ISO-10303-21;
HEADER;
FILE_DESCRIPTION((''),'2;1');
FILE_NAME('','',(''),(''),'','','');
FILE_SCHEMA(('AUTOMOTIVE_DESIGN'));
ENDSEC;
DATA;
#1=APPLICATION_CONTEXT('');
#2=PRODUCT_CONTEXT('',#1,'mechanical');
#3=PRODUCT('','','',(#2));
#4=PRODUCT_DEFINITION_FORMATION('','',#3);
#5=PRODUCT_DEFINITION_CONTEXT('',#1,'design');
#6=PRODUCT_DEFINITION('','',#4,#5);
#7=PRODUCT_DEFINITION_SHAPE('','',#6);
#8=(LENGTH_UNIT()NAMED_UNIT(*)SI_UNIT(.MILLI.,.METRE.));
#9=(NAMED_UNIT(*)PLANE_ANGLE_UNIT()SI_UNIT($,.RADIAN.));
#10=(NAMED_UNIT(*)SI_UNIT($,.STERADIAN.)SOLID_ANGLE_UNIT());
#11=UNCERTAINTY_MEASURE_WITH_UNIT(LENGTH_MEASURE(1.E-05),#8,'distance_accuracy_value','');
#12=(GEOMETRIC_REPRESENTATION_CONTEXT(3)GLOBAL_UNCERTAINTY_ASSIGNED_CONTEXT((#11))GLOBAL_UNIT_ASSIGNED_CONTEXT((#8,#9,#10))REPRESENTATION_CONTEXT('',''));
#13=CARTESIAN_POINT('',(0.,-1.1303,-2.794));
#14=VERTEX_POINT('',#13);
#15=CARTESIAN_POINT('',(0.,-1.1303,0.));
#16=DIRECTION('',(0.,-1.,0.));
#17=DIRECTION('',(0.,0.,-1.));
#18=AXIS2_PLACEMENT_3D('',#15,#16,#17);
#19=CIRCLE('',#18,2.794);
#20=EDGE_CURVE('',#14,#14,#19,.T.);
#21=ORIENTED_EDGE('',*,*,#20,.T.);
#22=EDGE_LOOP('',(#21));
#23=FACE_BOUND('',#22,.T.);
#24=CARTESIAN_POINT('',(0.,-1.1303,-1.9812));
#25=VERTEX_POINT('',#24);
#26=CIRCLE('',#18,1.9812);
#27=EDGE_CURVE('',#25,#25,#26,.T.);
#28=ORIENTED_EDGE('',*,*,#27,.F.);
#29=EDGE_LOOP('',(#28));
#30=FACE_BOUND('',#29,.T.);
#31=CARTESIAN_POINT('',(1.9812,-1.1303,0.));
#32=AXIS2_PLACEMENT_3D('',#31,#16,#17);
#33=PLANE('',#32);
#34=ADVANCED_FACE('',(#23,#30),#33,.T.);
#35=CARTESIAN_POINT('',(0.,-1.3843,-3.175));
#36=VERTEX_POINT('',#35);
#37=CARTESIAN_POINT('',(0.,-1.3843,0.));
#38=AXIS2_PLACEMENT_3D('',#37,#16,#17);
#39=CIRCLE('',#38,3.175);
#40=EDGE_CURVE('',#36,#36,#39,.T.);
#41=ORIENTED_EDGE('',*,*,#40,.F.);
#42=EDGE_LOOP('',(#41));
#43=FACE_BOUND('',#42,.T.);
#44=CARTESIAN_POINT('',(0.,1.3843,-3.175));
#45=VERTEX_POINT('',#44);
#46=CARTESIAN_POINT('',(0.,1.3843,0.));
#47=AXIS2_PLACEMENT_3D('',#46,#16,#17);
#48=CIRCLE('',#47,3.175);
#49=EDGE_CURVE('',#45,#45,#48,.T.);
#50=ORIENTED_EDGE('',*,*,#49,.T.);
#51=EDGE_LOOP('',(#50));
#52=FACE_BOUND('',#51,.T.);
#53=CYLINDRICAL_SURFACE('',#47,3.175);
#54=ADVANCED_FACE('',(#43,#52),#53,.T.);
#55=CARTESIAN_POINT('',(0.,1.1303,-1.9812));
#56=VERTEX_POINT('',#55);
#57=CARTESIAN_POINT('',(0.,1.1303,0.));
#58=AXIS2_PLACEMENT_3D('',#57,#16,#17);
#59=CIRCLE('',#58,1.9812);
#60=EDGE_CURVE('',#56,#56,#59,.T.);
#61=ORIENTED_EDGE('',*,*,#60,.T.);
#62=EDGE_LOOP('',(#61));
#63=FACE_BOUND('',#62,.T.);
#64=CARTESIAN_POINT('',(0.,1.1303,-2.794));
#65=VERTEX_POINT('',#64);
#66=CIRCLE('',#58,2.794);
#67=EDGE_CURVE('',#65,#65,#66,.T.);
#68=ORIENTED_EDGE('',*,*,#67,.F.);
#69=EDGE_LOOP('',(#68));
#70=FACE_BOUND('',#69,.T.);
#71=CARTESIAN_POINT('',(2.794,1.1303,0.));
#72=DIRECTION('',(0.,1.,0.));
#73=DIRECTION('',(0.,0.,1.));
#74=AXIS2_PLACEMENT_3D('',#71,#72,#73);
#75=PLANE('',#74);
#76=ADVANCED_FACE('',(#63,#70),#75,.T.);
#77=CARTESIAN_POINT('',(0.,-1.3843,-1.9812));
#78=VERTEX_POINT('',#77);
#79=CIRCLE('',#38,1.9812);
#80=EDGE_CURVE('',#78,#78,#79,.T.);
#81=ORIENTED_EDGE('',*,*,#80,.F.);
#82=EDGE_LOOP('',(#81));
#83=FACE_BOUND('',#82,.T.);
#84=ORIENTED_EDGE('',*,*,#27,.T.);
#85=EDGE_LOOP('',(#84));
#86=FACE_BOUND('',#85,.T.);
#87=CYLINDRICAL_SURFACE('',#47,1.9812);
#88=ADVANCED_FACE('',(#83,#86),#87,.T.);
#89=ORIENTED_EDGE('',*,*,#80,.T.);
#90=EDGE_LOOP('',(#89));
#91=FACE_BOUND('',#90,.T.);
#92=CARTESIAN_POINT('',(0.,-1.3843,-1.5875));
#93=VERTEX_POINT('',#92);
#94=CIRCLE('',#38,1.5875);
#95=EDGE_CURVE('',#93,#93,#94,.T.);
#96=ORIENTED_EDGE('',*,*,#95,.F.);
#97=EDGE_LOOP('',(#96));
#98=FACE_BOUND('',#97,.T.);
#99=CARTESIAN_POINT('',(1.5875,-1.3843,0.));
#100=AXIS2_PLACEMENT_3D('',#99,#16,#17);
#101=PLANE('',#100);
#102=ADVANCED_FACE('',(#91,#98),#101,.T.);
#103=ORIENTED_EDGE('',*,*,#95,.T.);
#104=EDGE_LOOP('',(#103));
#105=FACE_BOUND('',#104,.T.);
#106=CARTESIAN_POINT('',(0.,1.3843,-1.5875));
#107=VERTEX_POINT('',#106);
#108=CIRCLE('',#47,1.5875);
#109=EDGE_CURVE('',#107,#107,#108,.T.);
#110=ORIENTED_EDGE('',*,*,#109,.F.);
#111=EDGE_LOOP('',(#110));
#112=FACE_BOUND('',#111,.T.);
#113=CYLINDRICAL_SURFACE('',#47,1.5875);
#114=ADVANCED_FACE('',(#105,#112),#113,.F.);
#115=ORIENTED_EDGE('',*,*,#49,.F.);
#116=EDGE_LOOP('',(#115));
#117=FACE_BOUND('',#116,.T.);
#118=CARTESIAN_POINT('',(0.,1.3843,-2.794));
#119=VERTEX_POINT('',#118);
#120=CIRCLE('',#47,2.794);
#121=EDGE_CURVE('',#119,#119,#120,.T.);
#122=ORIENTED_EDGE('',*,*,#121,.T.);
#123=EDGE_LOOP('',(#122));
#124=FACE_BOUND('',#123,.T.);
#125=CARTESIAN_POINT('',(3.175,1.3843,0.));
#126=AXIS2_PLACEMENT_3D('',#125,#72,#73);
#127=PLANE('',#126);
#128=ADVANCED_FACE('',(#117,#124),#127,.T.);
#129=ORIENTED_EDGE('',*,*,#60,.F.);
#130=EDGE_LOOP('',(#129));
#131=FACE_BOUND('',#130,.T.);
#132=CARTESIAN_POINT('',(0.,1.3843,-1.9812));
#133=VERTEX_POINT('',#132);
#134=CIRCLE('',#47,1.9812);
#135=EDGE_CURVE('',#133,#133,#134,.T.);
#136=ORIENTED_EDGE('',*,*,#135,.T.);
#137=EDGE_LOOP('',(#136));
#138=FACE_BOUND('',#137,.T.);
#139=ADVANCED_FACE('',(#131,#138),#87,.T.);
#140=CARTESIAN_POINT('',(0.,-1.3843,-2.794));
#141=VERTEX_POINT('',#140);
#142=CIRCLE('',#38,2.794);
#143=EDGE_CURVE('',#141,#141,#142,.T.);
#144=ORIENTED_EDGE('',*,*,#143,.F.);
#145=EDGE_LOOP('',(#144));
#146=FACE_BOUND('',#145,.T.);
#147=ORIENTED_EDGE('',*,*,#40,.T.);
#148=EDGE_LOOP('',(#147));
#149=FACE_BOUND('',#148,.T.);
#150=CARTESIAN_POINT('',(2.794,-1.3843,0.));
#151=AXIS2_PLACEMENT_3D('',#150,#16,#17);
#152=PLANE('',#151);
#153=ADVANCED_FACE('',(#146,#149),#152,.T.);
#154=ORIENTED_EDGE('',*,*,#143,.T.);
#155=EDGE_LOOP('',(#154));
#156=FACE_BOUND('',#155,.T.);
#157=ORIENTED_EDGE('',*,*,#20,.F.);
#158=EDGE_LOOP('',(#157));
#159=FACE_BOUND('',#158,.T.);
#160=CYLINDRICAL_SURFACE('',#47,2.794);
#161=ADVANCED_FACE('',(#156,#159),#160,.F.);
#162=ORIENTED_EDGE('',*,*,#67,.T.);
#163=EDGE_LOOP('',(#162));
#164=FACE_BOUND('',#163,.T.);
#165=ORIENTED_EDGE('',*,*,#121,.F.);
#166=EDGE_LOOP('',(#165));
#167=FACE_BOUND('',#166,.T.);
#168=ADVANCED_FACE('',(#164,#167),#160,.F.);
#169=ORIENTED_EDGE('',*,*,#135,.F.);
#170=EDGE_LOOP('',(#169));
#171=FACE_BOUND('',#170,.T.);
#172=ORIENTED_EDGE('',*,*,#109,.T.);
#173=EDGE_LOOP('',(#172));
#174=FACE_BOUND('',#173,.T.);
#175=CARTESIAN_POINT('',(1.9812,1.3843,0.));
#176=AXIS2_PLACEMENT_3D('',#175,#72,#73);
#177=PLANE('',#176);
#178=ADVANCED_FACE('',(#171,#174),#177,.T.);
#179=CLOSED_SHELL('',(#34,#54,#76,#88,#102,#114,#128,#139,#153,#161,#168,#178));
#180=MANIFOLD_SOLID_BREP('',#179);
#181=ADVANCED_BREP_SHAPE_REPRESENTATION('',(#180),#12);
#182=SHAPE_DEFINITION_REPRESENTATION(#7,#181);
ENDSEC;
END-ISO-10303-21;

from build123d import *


with BuildPart() as part:
    # Sketch1 → Revolve1 (revolve)
    with BuildSketch(Plane.XY, mode=Mode.PRIVATE) as revolve1_sk:
        Polygon((1.9812, 1.3843), (1.5875, 1.3843), (1.5875, -1.3843), (1.9812, -1.3843), (1.9812, -1.1303), (2.794, -1.1303), (2.794, -1.3843), (3.175, -1.3843), (3.175, 1.3843), (2.794, 1.3843), (2.794, 1.1303), (1.9812, 1.1303), align=None)
    revolve(revolve1_sk.sketch.rotate(Axis((0, 1.3843, 0), (0, -1, 0)), 270), axis=Axis((0, 1.3843, 0), (0, -1, 0)))


solid = part.part
